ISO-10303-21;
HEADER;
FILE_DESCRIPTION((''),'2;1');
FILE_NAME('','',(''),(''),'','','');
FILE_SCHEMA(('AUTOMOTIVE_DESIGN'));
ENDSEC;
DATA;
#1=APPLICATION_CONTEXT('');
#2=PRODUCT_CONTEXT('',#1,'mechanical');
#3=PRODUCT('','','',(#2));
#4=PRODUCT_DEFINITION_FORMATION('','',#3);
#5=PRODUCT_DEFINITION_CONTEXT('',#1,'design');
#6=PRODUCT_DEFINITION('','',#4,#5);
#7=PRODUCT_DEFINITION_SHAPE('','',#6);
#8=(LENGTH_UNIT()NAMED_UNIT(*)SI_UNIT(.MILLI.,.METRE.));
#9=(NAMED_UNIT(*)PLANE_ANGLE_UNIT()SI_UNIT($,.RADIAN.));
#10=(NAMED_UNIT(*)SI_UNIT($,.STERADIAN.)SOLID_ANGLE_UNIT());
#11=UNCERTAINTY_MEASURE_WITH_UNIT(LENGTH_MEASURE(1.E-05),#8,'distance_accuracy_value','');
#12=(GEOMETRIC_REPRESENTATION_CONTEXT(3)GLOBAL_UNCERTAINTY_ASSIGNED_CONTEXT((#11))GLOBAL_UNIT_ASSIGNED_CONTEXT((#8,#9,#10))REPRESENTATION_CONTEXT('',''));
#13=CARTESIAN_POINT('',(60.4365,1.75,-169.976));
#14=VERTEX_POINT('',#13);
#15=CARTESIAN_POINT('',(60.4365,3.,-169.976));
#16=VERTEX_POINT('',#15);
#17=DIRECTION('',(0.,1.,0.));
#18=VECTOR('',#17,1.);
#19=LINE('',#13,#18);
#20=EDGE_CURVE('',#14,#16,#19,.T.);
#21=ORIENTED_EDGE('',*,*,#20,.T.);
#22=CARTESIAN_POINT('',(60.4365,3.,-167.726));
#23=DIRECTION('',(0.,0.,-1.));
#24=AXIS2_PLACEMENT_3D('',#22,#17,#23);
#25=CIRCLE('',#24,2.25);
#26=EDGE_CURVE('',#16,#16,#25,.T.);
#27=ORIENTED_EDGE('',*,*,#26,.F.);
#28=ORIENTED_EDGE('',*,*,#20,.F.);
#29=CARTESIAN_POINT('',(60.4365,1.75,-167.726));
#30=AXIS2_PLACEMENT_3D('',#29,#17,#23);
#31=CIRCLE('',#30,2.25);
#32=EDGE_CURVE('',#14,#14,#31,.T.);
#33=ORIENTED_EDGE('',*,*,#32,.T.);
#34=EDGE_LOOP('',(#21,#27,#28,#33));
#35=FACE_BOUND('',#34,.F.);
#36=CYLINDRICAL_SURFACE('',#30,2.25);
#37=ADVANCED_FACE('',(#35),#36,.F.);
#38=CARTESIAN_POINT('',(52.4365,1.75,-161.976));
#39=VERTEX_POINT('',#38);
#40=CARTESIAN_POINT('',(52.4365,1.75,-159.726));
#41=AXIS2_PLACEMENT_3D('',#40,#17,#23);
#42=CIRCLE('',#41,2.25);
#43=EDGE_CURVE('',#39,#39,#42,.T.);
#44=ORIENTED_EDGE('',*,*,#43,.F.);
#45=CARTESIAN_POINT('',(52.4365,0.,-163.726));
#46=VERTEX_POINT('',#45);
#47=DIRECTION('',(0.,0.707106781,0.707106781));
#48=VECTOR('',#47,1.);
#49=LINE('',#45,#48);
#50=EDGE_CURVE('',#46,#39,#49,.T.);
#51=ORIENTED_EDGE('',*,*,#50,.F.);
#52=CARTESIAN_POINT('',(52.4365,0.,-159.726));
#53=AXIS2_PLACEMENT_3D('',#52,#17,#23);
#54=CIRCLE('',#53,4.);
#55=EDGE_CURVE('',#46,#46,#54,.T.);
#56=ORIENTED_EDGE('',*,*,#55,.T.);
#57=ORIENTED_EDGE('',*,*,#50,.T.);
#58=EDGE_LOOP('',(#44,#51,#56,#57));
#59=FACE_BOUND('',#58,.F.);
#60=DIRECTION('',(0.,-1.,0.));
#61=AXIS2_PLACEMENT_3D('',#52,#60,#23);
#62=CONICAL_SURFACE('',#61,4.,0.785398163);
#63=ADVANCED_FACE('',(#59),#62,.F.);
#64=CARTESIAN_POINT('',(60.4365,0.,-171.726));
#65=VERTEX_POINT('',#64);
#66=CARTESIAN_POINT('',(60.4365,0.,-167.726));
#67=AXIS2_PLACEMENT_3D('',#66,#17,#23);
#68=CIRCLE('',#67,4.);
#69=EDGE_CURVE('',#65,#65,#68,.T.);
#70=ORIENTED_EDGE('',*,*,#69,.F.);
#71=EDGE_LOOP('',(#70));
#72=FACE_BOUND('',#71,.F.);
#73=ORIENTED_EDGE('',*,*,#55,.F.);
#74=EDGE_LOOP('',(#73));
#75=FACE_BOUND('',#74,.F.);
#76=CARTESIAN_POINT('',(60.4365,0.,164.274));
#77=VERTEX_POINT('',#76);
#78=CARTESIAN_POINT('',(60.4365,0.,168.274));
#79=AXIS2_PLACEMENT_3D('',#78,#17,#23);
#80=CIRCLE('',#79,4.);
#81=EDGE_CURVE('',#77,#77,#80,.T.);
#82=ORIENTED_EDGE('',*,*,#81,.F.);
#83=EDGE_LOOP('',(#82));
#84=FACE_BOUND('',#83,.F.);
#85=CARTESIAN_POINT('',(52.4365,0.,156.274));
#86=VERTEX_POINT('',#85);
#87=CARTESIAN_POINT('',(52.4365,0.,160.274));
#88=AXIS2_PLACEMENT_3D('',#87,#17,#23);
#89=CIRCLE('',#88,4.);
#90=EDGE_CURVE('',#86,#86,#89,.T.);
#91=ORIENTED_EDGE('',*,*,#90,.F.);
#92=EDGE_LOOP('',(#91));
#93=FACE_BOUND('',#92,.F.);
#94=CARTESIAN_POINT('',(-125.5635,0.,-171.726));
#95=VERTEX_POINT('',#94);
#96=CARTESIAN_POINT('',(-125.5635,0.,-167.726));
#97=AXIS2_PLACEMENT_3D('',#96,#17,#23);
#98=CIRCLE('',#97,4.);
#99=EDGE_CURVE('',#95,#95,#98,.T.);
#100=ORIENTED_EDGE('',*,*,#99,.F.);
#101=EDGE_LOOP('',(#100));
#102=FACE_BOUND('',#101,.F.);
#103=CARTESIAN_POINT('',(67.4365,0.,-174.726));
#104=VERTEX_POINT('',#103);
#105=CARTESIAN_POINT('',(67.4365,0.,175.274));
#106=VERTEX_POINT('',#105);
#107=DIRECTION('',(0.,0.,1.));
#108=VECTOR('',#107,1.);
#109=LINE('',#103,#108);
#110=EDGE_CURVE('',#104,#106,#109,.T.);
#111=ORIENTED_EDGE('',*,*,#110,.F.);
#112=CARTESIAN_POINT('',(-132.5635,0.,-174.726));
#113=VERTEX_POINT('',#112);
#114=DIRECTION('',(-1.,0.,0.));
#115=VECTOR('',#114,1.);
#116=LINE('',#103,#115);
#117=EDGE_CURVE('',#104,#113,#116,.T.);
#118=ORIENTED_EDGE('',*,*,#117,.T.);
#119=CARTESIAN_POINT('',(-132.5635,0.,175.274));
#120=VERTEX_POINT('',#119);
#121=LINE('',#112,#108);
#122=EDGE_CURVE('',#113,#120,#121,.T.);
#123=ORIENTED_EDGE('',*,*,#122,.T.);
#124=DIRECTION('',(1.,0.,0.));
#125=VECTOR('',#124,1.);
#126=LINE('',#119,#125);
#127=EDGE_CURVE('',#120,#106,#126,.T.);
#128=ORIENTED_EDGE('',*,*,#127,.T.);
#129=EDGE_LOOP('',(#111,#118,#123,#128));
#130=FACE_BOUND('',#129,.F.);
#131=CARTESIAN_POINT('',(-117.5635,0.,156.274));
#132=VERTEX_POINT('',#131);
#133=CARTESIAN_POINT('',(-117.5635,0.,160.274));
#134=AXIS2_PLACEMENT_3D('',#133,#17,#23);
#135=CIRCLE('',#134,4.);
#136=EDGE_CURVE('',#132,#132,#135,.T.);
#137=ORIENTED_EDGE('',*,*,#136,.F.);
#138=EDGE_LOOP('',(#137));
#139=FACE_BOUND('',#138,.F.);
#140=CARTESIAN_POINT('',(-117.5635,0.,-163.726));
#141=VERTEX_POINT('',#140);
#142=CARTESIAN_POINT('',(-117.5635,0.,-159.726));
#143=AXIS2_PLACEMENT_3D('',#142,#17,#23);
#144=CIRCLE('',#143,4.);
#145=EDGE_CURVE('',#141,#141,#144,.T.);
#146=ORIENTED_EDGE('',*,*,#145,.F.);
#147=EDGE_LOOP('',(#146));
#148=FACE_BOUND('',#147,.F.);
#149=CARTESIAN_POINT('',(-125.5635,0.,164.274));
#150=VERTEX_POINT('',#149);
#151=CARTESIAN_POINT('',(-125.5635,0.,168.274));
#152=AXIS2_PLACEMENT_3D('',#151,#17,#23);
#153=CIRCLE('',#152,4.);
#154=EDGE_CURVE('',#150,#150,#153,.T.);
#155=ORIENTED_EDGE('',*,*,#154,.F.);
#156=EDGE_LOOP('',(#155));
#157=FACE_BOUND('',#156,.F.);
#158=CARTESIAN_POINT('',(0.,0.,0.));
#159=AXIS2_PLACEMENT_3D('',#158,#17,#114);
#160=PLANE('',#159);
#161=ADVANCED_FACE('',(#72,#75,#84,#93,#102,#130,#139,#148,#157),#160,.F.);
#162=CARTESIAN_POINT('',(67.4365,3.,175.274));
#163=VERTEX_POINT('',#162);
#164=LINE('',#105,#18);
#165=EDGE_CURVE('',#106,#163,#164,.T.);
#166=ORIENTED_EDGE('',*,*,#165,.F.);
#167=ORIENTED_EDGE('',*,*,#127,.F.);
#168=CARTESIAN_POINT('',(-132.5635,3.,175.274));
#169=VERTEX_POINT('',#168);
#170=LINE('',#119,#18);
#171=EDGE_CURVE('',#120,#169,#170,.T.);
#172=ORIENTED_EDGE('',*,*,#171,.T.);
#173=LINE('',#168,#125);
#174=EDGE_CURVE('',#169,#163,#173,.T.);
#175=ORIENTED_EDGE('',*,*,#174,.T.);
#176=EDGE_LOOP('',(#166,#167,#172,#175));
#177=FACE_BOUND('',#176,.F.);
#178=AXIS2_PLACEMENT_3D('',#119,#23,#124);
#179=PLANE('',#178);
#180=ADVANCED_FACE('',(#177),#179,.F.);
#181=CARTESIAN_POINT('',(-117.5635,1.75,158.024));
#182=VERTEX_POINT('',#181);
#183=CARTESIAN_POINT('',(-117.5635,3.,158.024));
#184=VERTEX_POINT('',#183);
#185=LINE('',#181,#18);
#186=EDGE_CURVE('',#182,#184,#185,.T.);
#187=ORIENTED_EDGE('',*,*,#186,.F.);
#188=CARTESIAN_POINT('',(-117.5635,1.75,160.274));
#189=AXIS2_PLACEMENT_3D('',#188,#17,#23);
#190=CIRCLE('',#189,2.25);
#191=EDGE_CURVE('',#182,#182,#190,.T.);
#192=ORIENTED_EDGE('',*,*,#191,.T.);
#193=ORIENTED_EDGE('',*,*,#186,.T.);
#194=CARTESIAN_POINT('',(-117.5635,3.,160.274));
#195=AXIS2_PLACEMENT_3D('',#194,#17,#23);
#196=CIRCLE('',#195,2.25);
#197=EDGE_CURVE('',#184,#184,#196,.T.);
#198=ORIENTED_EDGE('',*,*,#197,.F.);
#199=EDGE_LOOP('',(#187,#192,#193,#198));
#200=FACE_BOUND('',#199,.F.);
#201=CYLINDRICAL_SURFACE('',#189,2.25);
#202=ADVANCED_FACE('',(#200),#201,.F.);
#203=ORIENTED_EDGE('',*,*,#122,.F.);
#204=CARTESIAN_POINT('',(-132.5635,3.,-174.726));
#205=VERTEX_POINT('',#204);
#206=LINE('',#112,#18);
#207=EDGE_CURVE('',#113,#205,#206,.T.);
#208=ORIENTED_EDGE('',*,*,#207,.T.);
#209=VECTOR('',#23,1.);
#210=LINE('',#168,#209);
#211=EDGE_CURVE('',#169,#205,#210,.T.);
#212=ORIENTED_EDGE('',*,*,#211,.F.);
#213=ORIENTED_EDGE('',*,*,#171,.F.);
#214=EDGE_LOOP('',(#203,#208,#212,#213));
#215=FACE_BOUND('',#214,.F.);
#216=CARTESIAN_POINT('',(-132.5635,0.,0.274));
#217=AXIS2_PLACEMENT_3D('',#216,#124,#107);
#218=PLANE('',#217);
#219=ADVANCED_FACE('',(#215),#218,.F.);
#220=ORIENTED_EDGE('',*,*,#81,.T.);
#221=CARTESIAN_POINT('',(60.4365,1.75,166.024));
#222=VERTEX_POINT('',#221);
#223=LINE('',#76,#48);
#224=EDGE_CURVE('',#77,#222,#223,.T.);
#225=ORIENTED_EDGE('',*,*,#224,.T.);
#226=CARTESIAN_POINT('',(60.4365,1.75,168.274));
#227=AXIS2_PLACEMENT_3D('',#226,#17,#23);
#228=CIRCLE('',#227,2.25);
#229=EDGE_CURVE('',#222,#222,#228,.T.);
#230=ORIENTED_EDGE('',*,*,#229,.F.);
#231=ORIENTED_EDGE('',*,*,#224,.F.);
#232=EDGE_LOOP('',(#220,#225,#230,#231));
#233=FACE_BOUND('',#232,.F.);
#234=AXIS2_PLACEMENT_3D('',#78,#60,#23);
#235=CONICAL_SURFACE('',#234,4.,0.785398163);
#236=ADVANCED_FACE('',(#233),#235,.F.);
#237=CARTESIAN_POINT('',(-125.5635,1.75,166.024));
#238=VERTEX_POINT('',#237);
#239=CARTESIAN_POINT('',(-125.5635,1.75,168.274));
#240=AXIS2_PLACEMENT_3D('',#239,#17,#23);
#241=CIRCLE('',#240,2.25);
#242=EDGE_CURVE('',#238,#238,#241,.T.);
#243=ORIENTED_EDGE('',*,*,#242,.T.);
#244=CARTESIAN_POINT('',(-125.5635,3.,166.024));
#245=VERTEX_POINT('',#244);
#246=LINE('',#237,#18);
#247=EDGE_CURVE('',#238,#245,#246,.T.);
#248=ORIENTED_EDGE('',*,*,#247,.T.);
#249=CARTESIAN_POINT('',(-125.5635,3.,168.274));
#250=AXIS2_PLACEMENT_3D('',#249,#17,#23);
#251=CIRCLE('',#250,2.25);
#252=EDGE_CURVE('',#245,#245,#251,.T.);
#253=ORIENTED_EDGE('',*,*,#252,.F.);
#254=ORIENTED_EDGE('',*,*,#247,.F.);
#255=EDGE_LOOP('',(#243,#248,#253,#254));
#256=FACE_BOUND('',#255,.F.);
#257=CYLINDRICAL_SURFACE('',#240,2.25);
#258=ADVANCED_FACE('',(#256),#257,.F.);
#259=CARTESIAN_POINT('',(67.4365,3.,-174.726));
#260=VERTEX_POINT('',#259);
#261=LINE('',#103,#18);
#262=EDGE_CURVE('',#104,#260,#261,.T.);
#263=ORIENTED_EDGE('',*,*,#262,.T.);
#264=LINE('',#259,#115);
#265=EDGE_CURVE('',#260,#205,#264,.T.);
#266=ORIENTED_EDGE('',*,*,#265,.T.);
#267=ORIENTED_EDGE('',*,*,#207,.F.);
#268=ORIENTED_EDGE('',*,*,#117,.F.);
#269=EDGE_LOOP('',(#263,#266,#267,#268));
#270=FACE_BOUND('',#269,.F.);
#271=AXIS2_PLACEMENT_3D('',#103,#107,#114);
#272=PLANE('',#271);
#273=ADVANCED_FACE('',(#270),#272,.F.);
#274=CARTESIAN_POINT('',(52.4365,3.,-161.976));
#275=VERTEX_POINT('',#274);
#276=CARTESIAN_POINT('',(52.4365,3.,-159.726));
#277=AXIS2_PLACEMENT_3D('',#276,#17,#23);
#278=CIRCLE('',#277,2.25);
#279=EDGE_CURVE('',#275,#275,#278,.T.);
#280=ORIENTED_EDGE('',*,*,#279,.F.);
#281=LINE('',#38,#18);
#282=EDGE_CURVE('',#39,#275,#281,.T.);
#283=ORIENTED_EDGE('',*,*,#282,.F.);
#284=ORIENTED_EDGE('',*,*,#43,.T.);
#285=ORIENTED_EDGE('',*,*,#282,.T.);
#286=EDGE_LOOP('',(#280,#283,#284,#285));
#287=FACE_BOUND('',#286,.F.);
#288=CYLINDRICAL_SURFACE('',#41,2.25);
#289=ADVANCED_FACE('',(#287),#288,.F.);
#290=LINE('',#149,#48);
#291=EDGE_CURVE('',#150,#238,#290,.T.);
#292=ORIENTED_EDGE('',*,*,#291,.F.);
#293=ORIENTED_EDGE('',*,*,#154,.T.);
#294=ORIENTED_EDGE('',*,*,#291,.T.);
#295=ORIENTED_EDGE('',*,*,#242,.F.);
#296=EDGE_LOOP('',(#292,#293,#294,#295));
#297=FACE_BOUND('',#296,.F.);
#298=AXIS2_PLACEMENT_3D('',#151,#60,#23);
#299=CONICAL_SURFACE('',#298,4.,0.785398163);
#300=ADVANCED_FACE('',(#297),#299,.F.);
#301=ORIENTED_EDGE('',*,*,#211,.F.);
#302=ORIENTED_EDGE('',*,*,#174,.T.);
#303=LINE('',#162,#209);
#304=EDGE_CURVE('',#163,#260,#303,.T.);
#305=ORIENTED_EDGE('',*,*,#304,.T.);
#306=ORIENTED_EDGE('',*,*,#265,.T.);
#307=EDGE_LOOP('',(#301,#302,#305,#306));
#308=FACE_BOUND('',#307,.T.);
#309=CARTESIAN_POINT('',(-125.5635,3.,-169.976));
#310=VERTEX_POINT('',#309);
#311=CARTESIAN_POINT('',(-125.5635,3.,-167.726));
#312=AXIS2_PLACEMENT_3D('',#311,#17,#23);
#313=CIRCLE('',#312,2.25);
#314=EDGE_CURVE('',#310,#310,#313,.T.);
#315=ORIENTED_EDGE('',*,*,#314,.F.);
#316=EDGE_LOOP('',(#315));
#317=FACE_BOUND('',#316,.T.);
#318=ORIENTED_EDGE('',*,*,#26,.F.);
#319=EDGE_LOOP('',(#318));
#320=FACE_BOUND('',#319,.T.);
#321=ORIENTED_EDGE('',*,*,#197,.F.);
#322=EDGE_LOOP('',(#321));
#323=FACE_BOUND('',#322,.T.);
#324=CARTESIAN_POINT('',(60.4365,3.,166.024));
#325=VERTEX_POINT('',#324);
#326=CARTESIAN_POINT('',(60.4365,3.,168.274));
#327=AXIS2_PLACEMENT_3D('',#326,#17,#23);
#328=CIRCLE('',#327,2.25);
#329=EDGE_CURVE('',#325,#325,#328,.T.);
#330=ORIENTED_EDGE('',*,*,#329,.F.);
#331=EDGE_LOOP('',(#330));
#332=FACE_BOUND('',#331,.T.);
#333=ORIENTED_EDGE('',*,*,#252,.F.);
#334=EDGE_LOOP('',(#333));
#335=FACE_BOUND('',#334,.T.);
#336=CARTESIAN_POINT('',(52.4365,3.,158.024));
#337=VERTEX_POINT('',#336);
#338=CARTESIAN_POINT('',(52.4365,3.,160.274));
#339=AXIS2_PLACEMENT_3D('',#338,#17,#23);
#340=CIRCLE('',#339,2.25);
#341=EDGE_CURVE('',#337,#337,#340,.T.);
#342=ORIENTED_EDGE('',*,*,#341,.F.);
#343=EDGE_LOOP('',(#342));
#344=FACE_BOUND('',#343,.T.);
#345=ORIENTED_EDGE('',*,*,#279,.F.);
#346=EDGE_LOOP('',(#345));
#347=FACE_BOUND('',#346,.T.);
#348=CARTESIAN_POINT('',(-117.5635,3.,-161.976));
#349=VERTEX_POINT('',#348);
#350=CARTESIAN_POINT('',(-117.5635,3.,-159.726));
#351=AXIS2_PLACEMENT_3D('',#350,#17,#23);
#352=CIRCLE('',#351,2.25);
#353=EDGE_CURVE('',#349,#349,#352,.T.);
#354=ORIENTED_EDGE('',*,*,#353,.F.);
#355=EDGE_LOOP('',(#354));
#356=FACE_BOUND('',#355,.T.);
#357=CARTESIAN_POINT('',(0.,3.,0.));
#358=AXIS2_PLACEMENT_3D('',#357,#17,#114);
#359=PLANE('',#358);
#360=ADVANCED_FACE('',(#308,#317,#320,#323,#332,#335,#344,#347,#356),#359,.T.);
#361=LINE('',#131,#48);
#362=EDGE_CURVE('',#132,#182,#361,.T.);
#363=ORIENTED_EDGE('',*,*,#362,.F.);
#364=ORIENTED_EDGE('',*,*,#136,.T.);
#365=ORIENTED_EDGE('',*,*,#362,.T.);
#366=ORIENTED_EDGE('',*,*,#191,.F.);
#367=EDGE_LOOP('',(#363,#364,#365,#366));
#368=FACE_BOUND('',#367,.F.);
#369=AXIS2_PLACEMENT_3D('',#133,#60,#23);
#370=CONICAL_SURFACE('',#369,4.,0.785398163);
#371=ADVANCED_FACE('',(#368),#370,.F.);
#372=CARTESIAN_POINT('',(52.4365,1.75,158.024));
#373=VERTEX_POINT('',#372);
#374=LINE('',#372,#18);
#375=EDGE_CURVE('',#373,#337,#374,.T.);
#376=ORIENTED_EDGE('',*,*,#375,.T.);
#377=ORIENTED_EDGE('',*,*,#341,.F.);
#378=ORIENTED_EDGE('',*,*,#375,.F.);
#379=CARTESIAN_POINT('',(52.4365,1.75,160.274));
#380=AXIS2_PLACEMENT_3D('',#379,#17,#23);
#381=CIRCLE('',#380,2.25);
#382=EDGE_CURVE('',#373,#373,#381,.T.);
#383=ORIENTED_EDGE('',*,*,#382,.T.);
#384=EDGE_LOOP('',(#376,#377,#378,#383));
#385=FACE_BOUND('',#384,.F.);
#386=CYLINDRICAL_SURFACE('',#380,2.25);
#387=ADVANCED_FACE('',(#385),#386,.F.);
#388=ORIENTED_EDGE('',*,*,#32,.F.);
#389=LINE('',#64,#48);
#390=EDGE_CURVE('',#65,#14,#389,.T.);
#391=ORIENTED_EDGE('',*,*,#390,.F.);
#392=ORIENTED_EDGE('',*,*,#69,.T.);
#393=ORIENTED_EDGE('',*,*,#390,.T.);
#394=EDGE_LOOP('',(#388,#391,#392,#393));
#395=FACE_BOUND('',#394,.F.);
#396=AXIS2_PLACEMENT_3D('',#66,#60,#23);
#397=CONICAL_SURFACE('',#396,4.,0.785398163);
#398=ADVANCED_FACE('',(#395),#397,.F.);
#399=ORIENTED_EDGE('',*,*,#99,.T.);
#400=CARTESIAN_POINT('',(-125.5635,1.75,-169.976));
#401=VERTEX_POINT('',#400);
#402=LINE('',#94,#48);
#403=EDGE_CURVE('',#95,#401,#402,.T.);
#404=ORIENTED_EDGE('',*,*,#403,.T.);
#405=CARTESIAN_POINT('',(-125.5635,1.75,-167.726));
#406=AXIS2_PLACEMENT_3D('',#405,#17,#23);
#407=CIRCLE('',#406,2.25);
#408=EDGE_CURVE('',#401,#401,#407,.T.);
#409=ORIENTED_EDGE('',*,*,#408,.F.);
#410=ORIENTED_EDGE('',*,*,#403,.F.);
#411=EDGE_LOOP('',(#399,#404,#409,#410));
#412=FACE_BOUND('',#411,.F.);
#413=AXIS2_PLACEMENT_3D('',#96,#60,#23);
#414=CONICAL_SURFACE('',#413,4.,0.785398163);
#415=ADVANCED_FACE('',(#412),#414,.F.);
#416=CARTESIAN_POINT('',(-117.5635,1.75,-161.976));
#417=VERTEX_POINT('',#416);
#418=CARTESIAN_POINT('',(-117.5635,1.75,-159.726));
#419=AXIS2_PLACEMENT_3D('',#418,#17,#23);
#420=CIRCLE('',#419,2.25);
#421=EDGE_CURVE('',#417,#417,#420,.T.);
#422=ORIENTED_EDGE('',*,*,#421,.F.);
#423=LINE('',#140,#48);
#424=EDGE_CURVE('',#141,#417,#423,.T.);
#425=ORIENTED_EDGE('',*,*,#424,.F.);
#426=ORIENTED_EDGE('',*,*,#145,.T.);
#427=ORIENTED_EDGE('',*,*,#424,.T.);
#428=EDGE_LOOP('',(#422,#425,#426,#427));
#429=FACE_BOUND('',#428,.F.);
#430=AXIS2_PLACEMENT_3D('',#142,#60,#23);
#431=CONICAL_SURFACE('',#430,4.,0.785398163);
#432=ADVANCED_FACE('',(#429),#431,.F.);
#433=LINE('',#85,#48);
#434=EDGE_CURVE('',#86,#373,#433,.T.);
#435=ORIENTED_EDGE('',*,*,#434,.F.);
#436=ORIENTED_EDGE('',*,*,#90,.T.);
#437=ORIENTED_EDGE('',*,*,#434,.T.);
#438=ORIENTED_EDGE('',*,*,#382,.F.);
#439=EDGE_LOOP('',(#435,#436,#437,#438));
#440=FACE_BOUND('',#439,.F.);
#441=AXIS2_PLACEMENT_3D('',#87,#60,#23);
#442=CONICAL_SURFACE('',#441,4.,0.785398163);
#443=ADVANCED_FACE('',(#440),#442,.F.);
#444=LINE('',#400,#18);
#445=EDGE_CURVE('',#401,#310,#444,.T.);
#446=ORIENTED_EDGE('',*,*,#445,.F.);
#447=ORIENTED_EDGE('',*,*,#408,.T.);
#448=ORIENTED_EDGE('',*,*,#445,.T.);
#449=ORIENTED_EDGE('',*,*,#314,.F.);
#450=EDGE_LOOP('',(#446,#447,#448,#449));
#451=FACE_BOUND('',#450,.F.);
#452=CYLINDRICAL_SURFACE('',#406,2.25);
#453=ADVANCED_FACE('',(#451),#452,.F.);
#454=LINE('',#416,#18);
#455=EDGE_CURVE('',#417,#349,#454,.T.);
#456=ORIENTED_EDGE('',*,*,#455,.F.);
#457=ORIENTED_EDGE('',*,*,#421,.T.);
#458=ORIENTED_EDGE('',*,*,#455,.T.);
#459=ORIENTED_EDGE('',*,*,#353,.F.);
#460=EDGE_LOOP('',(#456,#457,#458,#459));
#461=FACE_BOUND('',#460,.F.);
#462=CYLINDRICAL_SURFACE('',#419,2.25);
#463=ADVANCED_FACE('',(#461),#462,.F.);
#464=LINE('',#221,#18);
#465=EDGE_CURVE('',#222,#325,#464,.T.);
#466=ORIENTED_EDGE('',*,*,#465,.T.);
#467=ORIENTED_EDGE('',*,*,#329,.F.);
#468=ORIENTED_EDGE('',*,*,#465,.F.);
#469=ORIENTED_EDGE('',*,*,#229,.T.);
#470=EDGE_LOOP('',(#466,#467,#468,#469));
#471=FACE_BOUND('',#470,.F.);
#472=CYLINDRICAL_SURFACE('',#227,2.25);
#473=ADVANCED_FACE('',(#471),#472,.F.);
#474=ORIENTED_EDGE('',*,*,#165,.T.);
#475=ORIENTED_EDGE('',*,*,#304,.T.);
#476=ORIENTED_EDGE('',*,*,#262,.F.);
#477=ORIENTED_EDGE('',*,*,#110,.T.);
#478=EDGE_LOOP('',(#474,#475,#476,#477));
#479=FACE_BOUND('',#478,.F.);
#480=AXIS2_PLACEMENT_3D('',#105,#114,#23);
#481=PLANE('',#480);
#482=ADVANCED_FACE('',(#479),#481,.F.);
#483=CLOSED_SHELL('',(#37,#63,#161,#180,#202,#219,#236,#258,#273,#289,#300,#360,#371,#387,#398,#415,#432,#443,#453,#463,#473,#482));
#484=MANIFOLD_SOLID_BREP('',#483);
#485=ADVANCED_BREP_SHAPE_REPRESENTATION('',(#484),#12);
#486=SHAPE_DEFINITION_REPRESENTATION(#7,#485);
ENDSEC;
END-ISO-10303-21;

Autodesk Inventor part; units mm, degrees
ref_plane "YZ Plane" through (0, 0, 0) normal (1, 0, 0) x (0, 1, 0)
ref_plane "XZ Plane" through (0, 0, 0) normal (0, 1, 0) x (-1, 0, 0)
ref_plane "XY Plane" through (0, 0, 0) normal (0, 0, 1) x (1, 0, 0)
sketch "Skizze1" plane through (0, 0, 0) normal (0, 1, 0) x (-1, 0, 0)
  line L0 (132.5635, 175.274) -> (-67.4365, 175.274)
  line L1 (-67.4365, 175.274) -> (-67.4365, -174.726)
  line L2 (-67.4365, -174.726) -> (132.5635, -174.726)
  line L3 (132.5635, -174.726) -> (132.5635, 175.274)
  line L4 (354.7243, 0.274) -> (-224.9528, 0.274)
  point P0 (0, 0)
  dimension "d0" = 350
  dimension "d1" = 200
  dimension "d2" = 175
  dimension "d3" = 175
extrude "Extrusion1" add sketch "Skizze1" along normal blind 3
sketch "Skizze13" plane through (0, 0, 0) normal (0, -1, 0) x (1, 0, 0)
  line L0 (67.4365, 175.274) -> (67.4365, -174.726) construction
  line L1 (-132.5635, 175.274) -> (67.4365, 175.274) construction
  line L2 (-132.5635, -174.726) -> (-132.5635, 175.274) construction
  line L3 (67.4365, -174.726) -> (-132.5635, -174.726) construction
  point P0 (0, 0)
  point P1 (-125.5635, -167.726)
  point P2 (-117.5635, -159.726)
  point P3 (-125.5635, 168.274)
  point P4 (-117.5635, 160.274)
  point P5 (52.4365, 160.274)
  point P6 (60.4365, 168.274)
  point P7 (60.4365, -167.726)
  point P8 (52.4365, -159.726)
  dimension "d131" = 7
  dimension "d132" = 7
  dimension "d133" = 15
  dimension "d134" = 15
  dimension "d135" = 7
  dimension "d136" = 7
  dimension "d137" = 7
  dimension "d138" = 7
  dimension "d140" = 7
  dimension "d141" = 15
  dimension "d142" = 15
  dimension "d143" = 15
  dimension "d144" = 15
  dimension "d146" = 15
hole "Bohrung2" at (60.4365, 0, -167.726) at (52.4365, 0, -159.726) at (-117.5635, 0, -159.726) at (-125.5635, 0, -167.726) at (-117.5635, 0, 160.274) at (-125.5635, 0, 168.274) at (52.4365, 0, 160.274) at (60.4365, 0, 168.274) direction (0, 1, 0) diameter 4.5 end through all countersink diameter 8 countersink angle 90
equation "\"d132\" = d131"
equation "\"d134\" = d133"
equation "\"d135\" = d131"
equation "\"d136\" = d131"
equation "\"d137\" = d131"
equation "\"d138\" = d131"
equation "\"d140\" = d131"
equation "\"d141\" = d133"
equation "\"d142\" = d133"
equation "\"d143\" = d133"
equation "\"d144\" = d133"
properties part number "Grundplatte"
